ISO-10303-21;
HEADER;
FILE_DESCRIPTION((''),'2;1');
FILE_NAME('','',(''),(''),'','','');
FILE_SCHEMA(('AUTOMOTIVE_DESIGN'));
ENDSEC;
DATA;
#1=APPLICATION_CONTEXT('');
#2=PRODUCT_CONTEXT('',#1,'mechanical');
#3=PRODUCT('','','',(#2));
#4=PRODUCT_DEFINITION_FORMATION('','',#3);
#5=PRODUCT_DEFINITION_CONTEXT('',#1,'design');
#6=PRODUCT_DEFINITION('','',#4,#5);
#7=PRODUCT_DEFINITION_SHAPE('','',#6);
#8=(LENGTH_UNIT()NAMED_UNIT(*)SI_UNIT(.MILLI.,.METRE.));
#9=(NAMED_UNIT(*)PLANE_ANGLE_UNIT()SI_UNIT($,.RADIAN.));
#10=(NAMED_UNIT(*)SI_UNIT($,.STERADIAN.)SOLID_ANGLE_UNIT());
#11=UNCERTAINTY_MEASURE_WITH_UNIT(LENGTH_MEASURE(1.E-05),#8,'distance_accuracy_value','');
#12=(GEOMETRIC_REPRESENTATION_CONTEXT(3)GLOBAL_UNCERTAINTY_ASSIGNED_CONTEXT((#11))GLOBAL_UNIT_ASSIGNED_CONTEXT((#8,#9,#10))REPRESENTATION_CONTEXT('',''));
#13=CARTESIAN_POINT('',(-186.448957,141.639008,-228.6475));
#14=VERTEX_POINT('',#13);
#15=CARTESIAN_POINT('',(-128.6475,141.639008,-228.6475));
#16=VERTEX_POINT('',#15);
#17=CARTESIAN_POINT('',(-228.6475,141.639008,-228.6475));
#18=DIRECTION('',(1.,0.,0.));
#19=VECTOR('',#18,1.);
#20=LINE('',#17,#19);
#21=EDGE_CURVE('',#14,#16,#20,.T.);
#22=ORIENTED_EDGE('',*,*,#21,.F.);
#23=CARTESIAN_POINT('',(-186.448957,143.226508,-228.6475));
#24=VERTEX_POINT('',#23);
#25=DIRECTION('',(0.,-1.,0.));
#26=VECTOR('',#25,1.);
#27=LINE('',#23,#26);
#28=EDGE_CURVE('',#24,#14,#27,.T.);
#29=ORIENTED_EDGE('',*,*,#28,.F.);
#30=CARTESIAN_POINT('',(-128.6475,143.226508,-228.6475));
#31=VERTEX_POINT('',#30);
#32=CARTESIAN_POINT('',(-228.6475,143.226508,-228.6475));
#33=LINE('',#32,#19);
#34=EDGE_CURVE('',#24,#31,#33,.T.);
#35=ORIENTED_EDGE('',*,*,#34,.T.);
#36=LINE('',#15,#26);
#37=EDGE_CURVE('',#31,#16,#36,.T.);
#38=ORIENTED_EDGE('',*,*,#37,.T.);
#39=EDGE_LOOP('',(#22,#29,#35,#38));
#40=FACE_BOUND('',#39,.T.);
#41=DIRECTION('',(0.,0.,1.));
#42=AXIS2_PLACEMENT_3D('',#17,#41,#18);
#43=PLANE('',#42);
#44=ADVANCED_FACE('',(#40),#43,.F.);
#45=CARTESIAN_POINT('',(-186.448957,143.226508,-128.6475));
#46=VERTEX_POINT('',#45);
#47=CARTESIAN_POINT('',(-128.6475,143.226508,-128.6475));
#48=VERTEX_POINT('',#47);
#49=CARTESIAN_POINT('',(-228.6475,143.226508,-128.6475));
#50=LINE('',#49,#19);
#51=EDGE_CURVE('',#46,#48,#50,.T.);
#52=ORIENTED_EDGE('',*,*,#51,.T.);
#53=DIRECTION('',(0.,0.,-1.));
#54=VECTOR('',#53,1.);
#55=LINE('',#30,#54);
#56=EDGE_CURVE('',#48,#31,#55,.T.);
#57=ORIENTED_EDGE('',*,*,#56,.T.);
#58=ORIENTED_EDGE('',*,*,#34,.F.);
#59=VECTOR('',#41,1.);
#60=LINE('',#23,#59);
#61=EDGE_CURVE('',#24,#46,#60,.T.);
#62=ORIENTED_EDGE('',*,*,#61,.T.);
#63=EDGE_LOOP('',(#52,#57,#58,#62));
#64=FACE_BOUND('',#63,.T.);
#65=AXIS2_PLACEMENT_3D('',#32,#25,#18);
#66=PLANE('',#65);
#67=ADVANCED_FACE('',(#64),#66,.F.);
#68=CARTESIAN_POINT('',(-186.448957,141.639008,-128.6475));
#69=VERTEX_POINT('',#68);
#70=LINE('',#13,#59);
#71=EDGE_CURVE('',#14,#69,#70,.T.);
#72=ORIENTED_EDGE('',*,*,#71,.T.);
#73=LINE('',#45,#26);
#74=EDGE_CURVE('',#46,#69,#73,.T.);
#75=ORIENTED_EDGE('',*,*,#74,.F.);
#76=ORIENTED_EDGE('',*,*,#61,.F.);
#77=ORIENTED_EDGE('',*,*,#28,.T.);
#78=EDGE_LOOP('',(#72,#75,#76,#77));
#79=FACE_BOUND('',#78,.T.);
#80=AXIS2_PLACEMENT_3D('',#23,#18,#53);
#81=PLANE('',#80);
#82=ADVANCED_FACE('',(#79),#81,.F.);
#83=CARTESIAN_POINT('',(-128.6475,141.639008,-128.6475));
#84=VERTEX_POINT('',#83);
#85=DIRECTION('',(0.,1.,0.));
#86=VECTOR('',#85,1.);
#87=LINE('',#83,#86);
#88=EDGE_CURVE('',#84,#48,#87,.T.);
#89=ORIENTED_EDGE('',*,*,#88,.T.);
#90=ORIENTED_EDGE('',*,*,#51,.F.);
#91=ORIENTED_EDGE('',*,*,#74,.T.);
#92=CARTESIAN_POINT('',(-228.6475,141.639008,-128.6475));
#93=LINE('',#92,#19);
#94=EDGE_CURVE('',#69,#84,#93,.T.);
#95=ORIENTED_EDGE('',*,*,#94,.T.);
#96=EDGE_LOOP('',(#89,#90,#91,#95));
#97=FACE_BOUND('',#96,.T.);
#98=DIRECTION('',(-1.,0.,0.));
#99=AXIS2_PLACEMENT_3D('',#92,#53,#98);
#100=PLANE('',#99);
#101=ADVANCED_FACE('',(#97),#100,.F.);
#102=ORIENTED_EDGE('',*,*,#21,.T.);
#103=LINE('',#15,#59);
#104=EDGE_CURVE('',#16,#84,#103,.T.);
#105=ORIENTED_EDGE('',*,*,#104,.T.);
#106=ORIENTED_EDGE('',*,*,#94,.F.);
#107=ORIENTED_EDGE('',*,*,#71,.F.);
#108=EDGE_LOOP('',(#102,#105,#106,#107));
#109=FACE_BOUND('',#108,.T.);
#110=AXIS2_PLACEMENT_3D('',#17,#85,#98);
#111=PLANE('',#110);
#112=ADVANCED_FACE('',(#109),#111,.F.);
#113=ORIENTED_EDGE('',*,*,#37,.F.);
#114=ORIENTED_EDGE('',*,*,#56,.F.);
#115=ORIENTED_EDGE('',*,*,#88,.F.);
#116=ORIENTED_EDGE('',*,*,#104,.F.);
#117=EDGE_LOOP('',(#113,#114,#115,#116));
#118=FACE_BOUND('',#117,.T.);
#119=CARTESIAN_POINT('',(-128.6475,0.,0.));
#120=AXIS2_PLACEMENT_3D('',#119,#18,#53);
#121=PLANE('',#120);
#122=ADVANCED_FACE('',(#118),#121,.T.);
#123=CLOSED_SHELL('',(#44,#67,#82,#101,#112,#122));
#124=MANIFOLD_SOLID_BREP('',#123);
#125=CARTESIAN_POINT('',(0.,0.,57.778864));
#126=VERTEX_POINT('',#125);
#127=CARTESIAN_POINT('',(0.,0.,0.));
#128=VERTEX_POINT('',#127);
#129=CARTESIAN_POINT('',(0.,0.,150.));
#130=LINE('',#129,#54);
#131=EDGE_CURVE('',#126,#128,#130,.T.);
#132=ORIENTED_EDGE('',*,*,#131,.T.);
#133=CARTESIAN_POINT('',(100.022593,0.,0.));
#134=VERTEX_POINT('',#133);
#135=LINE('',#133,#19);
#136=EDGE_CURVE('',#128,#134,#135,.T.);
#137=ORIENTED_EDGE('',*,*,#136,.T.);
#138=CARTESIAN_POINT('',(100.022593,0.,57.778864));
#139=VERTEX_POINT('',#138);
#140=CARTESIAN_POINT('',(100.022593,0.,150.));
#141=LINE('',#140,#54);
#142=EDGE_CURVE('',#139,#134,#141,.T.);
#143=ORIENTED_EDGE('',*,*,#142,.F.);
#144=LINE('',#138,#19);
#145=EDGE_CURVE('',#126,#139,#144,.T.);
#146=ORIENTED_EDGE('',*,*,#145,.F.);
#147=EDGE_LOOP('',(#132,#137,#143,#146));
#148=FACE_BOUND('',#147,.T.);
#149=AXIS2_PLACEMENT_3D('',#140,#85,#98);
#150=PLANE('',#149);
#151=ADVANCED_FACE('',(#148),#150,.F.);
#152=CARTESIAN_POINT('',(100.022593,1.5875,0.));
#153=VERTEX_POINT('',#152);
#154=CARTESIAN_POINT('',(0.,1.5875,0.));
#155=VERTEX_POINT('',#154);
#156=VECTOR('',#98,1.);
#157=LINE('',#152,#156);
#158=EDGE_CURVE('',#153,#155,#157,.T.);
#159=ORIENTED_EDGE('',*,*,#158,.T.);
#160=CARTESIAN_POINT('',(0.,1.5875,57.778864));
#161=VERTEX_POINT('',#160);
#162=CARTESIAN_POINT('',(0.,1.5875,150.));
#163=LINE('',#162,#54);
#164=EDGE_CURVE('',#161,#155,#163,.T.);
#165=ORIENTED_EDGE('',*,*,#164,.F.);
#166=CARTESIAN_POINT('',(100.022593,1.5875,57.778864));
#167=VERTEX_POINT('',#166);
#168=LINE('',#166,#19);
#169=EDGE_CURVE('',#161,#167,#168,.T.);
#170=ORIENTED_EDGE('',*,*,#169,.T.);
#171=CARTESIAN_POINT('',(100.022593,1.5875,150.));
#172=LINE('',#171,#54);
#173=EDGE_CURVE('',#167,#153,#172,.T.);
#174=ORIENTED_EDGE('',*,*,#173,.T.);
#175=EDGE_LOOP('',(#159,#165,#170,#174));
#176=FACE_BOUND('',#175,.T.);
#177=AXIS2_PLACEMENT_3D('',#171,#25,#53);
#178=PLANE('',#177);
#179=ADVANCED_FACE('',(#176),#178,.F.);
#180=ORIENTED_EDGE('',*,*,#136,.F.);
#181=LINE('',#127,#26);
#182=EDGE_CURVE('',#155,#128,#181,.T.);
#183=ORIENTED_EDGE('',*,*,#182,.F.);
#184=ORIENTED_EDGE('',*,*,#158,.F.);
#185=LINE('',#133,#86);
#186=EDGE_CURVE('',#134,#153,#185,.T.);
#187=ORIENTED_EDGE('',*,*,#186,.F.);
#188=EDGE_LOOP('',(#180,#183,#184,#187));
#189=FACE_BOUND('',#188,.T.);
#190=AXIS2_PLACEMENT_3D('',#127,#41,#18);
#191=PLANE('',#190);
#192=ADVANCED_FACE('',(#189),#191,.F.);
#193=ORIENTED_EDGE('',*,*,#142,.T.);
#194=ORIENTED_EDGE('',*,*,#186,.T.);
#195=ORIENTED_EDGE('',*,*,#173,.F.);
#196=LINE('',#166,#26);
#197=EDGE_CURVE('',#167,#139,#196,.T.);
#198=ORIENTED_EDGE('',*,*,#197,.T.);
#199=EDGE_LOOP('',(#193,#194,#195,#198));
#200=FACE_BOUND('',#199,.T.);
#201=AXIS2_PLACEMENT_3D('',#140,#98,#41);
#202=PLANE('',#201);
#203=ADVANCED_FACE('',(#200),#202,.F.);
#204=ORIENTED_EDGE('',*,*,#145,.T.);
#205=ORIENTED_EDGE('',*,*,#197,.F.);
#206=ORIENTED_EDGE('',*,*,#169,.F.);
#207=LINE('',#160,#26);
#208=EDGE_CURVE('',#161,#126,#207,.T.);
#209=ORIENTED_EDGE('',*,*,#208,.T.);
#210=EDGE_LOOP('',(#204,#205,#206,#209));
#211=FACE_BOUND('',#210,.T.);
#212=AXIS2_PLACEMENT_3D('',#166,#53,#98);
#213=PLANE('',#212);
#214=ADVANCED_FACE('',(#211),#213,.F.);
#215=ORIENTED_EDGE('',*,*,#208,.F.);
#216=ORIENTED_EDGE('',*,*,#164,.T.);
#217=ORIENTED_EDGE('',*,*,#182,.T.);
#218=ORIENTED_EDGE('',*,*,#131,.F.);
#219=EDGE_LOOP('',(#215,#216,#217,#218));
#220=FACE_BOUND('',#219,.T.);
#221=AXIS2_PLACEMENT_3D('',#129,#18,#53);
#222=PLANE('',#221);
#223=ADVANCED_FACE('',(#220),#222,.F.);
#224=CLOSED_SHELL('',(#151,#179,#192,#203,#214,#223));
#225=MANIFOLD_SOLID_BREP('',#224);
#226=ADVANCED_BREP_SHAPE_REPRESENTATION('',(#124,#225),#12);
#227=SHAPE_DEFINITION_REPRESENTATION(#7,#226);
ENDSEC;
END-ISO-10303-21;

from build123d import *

# Parameters (mm, degrees)
SKETCH2_W           = 100.022593171
SKETCH2_H           = 1.5875
BOSS_EXTRUDE1_DEPTH = 150
SKETCH3_W           = 100.022593171
SKETCH3_H           = 92.221136112
CUT_EXTRUDE1_DEPTH  = 1.5875
SKETCH4_W           = 100
SKETCH4_H           = 1.5875
BOSS_EXTRUDE2_DEPTH = 100
SKETCH5_W           = 42.198542941
SKETCH5_H           = 100
CUT_EXTRUDE2_DEPTH  = 1.5875


with BuildPart() as part:
    # Sketch2 → Boss-Extrude1 (new body)
    with BuildSketch(Plane.XY):
        with Locations((50.011296586, 0.79375)):
            Rectangle(SKETCH2_W, SKETCH2_H)
    extrude(amount=BOSS_EXTRUDE1_DEPTH)

    # Sketch3 → Cut-Extrude1 (cut)
    with BuildSketch(Plane.XZ):
        with Locations((50.011296586, 103.889431944)):
            Rectangle(SKETCH3_W, SKETCH3_H)
    extrude(amount=-CUT_EXTRUDE1_DEPTH, mode=Mode.SUBTRACT)


with BuildPart() as body_2:
    # Sketch4 → Boss-Extrude2 (new body)
    with BuildSketch(Plane.ZY.offset(128.6475)):
        with Locations((-178.6475, 142.432757657)):
            Rectangle(SKETCH4_W, SKETCH4_H)
    extrude(amount=BOSS_EXTRUDE2_DEPTH)

    # Sketch5 → Cut-Extrude2 (cut)
    with BuildSketch(Plane.XZ.offset(-141.639007657)):
        with Locations((-207.54822853, -178.6475)):
            Rectangle(SKETCH5_W, SKETCH5_H)
    extrude(amount=-CUT_EXTRUDE2_DEPTH, mode=Mode.SUBTRACT)


solid = Compound([part.part, body_2.part])
